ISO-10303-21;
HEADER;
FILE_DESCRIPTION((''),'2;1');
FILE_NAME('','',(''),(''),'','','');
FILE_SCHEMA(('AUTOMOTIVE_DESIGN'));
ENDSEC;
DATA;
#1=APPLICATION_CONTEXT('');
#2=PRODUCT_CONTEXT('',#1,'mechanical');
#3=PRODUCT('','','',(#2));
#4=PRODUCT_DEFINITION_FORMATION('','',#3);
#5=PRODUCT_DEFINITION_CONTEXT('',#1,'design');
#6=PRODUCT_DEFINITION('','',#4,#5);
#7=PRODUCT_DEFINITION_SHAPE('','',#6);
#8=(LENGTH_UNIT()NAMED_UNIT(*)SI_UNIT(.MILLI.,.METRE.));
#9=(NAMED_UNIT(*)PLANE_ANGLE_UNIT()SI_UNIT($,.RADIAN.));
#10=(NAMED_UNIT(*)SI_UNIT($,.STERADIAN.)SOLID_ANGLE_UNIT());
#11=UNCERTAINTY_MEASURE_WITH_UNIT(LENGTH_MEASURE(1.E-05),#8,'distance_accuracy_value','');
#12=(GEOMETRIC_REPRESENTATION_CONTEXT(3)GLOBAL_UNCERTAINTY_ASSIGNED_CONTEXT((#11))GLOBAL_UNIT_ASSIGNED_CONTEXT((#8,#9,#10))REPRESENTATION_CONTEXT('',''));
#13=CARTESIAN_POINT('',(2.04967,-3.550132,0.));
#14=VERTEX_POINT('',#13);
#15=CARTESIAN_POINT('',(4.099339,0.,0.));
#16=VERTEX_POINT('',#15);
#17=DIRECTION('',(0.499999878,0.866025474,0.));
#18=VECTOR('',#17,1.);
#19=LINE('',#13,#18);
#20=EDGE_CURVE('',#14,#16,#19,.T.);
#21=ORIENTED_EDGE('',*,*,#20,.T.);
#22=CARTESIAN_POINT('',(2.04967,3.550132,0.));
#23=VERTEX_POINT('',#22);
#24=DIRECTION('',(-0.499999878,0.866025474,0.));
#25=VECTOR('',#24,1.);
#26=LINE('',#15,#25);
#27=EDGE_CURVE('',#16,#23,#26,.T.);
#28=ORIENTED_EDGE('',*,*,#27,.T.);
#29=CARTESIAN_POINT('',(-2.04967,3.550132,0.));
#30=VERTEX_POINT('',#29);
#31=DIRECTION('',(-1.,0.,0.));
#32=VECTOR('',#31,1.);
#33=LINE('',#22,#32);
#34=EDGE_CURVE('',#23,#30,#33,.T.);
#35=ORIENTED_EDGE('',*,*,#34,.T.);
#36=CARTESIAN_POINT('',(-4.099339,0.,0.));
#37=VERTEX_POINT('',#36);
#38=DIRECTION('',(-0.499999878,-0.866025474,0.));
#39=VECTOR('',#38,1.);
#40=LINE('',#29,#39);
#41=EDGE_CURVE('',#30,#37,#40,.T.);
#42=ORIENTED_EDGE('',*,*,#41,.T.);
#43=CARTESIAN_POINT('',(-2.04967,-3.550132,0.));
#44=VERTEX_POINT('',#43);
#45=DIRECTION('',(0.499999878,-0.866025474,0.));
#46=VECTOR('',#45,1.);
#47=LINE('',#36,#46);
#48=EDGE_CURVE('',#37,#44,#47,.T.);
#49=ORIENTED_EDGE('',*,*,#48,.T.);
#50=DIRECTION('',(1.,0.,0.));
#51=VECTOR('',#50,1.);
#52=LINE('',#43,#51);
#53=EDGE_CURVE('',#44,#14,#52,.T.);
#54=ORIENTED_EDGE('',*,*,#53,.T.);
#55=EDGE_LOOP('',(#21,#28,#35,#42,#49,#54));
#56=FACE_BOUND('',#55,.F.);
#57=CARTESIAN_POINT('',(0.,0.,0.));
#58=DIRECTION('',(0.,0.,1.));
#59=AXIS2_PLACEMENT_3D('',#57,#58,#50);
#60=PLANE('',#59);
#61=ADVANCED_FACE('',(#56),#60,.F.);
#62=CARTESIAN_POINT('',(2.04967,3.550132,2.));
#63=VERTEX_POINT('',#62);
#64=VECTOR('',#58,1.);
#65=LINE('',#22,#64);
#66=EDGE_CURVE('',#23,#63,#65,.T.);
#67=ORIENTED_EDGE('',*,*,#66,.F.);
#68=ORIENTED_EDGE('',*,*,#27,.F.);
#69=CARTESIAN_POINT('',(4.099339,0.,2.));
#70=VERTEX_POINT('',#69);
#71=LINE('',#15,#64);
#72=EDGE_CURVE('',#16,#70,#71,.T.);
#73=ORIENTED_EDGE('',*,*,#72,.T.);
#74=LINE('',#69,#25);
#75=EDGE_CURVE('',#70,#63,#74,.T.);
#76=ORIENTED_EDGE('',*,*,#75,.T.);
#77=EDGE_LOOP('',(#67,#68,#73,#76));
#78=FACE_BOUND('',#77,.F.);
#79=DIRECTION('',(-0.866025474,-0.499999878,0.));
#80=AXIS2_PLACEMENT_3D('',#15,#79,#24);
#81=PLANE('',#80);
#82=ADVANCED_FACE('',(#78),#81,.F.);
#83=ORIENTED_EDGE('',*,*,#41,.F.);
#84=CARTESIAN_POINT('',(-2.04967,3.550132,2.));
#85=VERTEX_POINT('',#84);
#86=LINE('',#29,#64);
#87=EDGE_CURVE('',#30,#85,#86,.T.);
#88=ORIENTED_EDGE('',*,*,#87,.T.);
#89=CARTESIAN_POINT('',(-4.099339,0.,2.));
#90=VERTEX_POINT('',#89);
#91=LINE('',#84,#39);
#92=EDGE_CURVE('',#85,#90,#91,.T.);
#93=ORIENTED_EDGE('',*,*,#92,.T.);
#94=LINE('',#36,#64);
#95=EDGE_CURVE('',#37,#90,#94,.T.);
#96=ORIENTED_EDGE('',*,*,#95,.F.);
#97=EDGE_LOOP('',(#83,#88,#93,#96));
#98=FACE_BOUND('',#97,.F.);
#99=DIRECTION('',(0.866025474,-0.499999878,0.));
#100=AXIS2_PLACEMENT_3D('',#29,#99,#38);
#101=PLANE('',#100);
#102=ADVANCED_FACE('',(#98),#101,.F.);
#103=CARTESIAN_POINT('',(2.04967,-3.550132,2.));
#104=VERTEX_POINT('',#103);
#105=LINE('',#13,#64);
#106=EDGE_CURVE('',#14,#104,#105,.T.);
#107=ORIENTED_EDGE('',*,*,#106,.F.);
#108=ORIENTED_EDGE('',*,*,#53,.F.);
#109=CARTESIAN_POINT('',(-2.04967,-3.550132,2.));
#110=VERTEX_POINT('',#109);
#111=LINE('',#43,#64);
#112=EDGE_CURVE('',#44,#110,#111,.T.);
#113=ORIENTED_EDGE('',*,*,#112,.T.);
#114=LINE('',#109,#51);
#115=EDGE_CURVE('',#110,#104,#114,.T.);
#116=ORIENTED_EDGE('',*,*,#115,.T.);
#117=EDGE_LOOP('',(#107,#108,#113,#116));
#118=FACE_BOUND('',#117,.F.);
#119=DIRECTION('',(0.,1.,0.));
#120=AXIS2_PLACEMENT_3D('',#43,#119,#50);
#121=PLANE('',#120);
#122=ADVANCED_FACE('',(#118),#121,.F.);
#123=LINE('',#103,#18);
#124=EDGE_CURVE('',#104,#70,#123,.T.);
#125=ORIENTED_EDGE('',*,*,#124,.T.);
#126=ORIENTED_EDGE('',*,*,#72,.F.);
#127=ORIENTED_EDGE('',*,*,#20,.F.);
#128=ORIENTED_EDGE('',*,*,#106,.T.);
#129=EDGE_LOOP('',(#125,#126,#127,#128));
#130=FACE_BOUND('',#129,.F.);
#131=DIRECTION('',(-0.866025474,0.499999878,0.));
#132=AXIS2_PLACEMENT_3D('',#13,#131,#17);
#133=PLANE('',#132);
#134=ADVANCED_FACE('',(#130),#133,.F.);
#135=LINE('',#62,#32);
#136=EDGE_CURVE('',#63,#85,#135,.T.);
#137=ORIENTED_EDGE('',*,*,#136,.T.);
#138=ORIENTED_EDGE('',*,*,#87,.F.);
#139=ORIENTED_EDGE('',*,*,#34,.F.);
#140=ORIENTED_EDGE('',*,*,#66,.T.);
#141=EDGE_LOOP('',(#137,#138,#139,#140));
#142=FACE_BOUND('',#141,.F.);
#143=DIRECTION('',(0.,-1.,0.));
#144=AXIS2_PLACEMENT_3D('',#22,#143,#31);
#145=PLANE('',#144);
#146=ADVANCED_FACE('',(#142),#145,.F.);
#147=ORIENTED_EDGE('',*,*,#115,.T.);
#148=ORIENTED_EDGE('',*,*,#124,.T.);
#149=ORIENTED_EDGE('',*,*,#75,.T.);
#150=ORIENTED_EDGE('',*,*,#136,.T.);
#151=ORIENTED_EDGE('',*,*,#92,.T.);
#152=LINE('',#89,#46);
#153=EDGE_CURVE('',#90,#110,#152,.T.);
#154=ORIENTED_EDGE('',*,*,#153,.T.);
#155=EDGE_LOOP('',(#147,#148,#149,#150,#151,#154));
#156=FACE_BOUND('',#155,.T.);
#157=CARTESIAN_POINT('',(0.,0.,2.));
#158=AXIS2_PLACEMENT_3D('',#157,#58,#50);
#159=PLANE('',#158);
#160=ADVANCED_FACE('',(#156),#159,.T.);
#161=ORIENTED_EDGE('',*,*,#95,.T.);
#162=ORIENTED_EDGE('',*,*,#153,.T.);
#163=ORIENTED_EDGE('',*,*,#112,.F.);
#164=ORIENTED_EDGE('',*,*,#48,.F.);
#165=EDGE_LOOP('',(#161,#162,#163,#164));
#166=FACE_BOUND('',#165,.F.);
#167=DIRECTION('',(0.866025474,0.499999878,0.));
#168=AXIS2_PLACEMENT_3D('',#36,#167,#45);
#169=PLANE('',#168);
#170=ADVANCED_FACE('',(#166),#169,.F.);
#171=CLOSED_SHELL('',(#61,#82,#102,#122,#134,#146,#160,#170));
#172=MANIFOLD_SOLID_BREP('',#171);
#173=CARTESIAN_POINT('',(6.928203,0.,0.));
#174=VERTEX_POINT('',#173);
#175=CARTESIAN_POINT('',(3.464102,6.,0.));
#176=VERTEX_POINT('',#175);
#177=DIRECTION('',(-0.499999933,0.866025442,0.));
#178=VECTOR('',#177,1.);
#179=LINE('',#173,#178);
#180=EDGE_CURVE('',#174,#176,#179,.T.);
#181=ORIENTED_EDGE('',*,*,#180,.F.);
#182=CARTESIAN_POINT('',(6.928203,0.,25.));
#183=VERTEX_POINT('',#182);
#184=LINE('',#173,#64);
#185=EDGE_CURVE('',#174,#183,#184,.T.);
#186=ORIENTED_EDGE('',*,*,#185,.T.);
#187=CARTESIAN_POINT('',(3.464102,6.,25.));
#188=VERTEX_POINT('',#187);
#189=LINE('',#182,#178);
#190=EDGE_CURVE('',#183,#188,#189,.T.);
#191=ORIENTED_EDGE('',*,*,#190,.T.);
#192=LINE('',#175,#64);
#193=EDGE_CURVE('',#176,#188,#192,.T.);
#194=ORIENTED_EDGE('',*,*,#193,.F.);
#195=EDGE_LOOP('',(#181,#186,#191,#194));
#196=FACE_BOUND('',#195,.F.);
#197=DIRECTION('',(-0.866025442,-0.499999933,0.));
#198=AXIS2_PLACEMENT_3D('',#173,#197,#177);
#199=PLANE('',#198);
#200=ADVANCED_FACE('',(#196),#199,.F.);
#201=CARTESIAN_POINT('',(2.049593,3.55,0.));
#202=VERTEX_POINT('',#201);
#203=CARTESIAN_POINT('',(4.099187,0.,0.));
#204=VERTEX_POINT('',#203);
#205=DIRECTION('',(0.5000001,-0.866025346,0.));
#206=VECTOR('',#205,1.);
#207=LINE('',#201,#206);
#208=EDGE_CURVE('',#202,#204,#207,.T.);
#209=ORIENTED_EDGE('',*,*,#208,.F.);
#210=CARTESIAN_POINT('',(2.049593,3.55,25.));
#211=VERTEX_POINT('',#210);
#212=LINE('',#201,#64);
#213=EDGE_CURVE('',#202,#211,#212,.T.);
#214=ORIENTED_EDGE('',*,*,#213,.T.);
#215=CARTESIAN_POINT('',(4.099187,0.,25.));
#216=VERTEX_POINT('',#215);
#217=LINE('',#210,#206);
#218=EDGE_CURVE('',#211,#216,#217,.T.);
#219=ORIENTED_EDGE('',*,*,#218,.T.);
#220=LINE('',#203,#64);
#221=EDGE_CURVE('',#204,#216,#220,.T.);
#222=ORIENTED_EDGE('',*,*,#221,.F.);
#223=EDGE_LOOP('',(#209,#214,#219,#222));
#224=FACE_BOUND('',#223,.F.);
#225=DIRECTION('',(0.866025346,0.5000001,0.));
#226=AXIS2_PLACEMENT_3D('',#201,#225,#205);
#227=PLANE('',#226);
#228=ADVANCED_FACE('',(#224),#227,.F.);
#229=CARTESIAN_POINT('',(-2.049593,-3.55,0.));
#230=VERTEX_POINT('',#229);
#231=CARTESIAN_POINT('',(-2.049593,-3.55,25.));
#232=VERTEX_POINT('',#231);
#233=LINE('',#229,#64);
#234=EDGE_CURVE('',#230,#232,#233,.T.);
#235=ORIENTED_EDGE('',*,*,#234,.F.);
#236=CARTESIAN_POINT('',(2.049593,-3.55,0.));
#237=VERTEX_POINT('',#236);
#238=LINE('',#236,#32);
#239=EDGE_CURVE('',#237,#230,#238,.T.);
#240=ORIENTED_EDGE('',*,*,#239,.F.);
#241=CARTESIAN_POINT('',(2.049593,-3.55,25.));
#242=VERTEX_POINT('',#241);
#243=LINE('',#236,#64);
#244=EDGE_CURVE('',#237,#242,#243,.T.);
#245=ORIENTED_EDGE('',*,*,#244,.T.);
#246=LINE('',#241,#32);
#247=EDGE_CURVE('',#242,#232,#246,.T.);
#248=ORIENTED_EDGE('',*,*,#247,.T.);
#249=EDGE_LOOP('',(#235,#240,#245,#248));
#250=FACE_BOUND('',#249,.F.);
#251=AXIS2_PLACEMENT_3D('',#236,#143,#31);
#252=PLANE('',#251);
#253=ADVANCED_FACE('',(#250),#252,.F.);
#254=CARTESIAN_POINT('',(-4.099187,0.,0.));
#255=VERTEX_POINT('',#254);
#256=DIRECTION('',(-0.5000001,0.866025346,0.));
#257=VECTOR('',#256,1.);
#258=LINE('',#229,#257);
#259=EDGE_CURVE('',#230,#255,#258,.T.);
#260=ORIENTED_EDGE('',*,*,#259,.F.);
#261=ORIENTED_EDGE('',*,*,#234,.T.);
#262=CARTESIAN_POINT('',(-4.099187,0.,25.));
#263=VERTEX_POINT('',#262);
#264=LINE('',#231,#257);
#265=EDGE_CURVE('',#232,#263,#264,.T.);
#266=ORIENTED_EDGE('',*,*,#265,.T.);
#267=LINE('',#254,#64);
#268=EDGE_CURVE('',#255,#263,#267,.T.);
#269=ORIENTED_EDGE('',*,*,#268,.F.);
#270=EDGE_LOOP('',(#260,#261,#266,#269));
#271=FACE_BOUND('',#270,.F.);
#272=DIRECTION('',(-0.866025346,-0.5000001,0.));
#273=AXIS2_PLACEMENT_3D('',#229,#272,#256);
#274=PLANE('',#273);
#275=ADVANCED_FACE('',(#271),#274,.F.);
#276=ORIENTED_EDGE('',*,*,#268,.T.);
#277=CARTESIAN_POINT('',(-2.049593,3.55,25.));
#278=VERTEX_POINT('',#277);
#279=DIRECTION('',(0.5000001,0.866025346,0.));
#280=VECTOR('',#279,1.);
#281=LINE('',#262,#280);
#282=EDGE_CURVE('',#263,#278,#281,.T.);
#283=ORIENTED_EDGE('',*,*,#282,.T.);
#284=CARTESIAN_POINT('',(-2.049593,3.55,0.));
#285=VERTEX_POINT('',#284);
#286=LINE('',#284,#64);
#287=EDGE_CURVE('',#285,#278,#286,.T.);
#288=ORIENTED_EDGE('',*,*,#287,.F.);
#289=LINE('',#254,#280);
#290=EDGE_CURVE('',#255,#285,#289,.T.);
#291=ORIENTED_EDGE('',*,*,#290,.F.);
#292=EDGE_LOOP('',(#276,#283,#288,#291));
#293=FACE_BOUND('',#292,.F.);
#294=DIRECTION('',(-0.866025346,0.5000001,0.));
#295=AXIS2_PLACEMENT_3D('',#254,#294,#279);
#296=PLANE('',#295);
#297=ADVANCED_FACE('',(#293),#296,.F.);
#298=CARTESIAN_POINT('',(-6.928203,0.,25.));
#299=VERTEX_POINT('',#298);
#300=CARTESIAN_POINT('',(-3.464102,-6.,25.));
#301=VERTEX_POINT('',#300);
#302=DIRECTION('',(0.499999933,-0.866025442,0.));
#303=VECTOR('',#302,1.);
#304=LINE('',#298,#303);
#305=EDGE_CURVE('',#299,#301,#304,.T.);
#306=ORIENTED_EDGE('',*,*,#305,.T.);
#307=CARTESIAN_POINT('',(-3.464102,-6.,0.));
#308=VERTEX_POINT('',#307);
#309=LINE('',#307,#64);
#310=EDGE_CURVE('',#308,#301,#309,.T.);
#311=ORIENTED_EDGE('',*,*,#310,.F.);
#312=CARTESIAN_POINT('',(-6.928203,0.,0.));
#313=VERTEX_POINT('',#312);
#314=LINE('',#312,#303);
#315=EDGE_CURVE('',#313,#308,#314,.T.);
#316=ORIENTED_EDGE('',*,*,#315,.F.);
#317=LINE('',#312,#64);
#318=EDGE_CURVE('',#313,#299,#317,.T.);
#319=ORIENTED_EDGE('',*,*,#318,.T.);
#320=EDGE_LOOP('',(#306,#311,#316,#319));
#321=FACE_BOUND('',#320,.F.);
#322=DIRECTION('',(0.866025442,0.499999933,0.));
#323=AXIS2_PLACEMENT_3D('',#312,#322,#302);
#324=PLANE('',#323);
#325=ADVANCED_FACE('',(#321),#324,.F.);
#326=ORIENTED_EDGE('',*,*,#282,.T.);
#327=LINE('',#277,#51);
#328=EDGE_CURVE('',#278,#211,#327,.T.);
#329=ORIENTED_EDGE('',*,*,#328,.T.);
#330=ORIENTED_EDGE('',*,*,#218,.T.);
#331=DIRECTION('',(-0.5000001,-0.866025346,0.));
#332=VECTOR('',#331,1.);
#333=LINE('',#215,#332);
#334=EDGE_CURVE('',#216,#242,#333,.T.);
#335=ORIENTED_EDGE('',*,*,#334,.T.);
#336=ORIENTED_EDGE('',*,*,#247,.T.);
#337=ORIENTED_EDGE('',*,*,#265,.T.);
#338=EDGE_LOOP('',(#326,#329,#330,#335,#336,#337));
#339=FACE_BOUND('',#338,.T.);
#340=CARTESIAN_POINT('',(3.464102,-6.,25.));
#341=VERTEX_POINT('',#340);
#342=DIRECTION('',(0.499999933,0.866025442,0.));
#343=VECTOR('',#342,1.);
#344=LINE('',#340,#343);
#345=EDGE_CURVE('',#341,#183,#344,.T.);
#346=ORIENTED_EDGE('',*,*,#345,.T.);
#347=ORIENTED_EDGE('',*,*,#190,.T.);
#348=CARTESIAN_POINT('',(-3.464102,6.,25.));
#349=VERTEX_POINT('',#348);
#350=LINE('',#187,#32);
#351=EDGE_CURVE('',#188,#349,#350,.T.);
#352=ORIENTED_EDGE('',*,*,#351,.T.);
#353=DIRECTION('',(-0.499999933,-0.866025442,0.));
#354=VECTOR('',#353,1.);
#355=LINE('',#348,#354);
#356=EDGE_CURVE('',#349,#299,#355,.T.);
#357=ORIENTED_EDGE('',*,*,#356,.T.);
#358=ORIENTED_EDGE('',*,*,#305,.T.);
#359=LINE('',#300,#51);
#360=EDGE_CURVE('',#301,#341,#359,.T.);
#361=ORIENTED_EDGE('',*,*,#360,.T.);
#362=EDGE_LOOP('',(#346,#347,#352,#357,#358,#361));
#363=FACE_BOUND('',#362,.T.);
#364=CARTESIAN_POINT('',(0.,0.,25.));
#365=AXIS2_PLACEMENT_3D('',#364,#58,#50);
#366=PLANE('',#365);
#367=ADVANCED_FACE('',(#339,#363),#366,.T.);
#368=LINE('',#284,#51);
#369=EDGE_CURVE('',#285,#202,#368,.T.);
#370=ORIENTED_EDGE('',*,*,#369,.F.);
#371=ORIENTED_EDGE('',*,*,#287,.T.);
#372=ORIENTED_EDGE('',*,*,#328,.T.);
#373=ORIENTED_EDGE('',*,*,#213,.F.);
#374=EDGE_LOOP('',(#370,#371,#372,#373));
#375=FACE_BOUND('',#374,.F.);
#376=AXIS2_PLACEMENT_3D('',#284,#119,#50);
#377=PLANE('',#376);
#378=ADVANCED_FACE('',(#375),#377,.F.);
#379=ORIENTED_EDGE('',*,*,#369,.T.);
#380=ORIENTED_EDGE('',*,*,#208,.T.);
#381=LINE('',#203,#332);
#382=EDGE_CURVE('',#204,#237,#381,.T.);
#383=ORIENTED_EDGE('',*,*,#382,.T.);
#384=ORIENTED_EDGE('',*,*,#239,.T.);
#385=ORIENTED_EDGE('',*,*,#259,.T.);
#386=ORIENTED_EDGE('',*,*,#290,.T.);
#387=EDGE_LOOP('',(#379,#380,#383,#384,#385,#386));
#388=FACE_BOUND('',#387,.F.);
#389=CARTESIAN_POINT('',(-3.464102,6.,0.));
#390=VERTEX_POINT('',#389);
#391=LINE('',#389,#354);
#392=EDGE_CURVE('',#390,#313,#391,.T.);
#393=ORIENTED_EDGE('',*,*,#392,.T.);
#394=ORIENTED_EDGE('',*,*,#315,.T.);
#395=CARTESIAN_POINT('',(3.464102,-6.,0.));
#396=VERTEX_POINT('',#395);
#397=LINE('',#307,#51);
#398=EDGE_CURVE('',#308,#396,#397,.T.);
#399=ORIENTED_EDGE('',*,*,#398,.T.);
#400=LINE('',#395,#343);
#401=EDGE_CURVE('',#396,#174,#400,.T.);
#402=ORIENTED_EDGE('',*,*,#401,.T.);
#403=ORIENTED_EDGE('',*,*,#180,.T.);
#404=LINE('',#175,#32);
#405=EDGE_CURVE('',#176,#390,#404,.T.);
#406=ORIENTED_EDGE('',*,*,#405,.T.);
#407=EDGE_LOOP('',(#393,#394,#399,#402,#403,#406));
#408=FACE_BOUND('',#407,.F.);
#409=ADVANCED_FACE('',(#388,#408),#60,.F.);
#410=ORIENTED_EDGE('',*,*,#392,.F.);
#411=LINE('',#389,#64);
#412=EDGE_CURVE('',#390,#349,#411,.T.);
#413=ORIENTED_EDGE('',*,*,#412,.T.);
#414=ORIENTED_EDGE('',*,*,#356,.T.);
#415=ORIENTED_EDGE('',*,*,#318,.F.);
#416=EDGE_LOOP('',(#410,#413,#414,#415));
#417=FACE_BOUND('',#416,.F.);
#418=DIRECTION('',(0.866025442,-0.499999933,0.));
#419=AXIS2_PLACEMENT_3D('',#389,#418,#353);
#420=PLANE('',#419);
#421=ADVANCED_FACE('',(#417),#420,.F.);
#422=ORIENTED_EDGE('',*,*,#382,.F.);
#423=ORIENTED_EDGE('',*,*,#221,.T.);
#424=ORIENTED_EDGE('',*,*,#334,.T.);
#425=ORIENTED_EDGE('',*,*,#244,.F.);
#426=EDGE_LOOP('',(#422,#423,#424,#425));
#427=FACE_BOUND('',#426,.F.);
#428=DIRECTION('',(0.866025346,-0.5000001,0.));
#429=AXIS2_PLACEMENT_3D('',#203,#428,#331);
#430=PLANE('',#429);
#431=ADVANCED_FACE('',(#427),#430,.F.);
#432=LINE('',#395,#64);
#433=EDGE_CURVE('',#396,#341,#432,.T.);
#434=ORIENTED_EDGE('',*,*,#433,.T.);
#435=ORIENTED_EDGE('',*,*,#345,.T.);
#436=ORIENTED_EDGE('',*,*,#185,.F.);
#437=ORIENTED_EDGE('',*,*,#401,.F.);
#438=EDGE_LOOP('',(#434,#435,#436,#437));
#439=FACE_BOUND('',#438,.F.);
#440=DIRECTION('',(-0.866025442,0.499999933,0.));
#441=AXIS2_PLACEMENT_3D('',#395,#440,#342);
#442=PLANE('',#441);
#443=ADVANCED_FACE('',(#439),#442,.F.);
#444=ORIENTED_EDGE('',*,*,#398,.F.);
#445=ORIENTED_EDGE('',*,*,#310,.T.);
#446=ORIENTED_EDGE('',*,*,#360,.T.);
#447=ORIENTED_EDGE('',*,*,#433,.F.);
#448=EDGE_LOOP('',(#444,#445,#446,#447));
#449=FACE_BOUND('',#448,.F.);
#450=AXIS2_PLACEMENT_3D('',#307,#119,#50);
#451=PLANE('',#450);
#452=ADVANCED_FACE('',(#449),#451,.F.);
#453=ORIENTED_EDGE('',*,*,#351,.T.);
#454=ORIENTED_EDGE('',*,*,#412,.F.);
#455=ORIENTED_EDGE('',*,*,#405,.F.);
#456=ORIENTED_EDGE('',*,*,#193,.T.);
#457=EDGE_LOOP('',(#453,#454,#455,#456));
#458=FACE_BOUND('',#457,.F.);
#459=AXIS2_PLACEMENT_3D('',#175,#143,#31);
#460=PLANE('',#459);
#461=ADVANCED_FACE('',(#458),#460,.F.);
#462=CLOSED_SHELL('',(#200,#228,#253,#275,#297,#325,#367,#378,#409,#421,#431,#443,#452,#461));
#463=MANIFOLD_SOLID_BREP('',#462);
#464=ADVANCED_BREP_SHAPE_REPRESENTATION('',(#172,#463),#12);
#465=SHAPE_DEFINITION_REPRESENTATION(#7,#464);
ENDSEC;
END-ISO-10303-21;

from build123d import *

# Parameters (mm, degrees)
F1_DEPTH = 25
F3_DEPTH = 2


with BuildPart() as f1:
    # F0 (on Top) → F1 (new body)
    with BuildSketch(Plane.XY):
        Polygon((-3.464102, -6), (3.464102, -6), (6.928203, 0), (3.464102, 6), (-3.464102, 6), (-6.928203, 0), align=None)
        Polygon((-4.099187, 0), (-2.049593, 3.55), (2.049593, 3.55), (4.099187, 0), (2.049593, -3.55), (-2.049593, -3.55), align=None, mode=Mode.SUBTRACT)
    extrude(amount=F1_DEPTH)


with BuildPart() as f3:
    # F2 (on Top) → F3 (new body)
    with BuildSketch(Plane.XY):
        Polygon((-2.04967, -3.550132), (2.04967, -3.550132), (4.099339, 0), (2.04967, 3.550132), (-2.04967, 3.550132), (-4.099339, 0), align=None)
    extrude(amount=F3_DEPTH)


solid = Compound([f1.part, f3.part])
